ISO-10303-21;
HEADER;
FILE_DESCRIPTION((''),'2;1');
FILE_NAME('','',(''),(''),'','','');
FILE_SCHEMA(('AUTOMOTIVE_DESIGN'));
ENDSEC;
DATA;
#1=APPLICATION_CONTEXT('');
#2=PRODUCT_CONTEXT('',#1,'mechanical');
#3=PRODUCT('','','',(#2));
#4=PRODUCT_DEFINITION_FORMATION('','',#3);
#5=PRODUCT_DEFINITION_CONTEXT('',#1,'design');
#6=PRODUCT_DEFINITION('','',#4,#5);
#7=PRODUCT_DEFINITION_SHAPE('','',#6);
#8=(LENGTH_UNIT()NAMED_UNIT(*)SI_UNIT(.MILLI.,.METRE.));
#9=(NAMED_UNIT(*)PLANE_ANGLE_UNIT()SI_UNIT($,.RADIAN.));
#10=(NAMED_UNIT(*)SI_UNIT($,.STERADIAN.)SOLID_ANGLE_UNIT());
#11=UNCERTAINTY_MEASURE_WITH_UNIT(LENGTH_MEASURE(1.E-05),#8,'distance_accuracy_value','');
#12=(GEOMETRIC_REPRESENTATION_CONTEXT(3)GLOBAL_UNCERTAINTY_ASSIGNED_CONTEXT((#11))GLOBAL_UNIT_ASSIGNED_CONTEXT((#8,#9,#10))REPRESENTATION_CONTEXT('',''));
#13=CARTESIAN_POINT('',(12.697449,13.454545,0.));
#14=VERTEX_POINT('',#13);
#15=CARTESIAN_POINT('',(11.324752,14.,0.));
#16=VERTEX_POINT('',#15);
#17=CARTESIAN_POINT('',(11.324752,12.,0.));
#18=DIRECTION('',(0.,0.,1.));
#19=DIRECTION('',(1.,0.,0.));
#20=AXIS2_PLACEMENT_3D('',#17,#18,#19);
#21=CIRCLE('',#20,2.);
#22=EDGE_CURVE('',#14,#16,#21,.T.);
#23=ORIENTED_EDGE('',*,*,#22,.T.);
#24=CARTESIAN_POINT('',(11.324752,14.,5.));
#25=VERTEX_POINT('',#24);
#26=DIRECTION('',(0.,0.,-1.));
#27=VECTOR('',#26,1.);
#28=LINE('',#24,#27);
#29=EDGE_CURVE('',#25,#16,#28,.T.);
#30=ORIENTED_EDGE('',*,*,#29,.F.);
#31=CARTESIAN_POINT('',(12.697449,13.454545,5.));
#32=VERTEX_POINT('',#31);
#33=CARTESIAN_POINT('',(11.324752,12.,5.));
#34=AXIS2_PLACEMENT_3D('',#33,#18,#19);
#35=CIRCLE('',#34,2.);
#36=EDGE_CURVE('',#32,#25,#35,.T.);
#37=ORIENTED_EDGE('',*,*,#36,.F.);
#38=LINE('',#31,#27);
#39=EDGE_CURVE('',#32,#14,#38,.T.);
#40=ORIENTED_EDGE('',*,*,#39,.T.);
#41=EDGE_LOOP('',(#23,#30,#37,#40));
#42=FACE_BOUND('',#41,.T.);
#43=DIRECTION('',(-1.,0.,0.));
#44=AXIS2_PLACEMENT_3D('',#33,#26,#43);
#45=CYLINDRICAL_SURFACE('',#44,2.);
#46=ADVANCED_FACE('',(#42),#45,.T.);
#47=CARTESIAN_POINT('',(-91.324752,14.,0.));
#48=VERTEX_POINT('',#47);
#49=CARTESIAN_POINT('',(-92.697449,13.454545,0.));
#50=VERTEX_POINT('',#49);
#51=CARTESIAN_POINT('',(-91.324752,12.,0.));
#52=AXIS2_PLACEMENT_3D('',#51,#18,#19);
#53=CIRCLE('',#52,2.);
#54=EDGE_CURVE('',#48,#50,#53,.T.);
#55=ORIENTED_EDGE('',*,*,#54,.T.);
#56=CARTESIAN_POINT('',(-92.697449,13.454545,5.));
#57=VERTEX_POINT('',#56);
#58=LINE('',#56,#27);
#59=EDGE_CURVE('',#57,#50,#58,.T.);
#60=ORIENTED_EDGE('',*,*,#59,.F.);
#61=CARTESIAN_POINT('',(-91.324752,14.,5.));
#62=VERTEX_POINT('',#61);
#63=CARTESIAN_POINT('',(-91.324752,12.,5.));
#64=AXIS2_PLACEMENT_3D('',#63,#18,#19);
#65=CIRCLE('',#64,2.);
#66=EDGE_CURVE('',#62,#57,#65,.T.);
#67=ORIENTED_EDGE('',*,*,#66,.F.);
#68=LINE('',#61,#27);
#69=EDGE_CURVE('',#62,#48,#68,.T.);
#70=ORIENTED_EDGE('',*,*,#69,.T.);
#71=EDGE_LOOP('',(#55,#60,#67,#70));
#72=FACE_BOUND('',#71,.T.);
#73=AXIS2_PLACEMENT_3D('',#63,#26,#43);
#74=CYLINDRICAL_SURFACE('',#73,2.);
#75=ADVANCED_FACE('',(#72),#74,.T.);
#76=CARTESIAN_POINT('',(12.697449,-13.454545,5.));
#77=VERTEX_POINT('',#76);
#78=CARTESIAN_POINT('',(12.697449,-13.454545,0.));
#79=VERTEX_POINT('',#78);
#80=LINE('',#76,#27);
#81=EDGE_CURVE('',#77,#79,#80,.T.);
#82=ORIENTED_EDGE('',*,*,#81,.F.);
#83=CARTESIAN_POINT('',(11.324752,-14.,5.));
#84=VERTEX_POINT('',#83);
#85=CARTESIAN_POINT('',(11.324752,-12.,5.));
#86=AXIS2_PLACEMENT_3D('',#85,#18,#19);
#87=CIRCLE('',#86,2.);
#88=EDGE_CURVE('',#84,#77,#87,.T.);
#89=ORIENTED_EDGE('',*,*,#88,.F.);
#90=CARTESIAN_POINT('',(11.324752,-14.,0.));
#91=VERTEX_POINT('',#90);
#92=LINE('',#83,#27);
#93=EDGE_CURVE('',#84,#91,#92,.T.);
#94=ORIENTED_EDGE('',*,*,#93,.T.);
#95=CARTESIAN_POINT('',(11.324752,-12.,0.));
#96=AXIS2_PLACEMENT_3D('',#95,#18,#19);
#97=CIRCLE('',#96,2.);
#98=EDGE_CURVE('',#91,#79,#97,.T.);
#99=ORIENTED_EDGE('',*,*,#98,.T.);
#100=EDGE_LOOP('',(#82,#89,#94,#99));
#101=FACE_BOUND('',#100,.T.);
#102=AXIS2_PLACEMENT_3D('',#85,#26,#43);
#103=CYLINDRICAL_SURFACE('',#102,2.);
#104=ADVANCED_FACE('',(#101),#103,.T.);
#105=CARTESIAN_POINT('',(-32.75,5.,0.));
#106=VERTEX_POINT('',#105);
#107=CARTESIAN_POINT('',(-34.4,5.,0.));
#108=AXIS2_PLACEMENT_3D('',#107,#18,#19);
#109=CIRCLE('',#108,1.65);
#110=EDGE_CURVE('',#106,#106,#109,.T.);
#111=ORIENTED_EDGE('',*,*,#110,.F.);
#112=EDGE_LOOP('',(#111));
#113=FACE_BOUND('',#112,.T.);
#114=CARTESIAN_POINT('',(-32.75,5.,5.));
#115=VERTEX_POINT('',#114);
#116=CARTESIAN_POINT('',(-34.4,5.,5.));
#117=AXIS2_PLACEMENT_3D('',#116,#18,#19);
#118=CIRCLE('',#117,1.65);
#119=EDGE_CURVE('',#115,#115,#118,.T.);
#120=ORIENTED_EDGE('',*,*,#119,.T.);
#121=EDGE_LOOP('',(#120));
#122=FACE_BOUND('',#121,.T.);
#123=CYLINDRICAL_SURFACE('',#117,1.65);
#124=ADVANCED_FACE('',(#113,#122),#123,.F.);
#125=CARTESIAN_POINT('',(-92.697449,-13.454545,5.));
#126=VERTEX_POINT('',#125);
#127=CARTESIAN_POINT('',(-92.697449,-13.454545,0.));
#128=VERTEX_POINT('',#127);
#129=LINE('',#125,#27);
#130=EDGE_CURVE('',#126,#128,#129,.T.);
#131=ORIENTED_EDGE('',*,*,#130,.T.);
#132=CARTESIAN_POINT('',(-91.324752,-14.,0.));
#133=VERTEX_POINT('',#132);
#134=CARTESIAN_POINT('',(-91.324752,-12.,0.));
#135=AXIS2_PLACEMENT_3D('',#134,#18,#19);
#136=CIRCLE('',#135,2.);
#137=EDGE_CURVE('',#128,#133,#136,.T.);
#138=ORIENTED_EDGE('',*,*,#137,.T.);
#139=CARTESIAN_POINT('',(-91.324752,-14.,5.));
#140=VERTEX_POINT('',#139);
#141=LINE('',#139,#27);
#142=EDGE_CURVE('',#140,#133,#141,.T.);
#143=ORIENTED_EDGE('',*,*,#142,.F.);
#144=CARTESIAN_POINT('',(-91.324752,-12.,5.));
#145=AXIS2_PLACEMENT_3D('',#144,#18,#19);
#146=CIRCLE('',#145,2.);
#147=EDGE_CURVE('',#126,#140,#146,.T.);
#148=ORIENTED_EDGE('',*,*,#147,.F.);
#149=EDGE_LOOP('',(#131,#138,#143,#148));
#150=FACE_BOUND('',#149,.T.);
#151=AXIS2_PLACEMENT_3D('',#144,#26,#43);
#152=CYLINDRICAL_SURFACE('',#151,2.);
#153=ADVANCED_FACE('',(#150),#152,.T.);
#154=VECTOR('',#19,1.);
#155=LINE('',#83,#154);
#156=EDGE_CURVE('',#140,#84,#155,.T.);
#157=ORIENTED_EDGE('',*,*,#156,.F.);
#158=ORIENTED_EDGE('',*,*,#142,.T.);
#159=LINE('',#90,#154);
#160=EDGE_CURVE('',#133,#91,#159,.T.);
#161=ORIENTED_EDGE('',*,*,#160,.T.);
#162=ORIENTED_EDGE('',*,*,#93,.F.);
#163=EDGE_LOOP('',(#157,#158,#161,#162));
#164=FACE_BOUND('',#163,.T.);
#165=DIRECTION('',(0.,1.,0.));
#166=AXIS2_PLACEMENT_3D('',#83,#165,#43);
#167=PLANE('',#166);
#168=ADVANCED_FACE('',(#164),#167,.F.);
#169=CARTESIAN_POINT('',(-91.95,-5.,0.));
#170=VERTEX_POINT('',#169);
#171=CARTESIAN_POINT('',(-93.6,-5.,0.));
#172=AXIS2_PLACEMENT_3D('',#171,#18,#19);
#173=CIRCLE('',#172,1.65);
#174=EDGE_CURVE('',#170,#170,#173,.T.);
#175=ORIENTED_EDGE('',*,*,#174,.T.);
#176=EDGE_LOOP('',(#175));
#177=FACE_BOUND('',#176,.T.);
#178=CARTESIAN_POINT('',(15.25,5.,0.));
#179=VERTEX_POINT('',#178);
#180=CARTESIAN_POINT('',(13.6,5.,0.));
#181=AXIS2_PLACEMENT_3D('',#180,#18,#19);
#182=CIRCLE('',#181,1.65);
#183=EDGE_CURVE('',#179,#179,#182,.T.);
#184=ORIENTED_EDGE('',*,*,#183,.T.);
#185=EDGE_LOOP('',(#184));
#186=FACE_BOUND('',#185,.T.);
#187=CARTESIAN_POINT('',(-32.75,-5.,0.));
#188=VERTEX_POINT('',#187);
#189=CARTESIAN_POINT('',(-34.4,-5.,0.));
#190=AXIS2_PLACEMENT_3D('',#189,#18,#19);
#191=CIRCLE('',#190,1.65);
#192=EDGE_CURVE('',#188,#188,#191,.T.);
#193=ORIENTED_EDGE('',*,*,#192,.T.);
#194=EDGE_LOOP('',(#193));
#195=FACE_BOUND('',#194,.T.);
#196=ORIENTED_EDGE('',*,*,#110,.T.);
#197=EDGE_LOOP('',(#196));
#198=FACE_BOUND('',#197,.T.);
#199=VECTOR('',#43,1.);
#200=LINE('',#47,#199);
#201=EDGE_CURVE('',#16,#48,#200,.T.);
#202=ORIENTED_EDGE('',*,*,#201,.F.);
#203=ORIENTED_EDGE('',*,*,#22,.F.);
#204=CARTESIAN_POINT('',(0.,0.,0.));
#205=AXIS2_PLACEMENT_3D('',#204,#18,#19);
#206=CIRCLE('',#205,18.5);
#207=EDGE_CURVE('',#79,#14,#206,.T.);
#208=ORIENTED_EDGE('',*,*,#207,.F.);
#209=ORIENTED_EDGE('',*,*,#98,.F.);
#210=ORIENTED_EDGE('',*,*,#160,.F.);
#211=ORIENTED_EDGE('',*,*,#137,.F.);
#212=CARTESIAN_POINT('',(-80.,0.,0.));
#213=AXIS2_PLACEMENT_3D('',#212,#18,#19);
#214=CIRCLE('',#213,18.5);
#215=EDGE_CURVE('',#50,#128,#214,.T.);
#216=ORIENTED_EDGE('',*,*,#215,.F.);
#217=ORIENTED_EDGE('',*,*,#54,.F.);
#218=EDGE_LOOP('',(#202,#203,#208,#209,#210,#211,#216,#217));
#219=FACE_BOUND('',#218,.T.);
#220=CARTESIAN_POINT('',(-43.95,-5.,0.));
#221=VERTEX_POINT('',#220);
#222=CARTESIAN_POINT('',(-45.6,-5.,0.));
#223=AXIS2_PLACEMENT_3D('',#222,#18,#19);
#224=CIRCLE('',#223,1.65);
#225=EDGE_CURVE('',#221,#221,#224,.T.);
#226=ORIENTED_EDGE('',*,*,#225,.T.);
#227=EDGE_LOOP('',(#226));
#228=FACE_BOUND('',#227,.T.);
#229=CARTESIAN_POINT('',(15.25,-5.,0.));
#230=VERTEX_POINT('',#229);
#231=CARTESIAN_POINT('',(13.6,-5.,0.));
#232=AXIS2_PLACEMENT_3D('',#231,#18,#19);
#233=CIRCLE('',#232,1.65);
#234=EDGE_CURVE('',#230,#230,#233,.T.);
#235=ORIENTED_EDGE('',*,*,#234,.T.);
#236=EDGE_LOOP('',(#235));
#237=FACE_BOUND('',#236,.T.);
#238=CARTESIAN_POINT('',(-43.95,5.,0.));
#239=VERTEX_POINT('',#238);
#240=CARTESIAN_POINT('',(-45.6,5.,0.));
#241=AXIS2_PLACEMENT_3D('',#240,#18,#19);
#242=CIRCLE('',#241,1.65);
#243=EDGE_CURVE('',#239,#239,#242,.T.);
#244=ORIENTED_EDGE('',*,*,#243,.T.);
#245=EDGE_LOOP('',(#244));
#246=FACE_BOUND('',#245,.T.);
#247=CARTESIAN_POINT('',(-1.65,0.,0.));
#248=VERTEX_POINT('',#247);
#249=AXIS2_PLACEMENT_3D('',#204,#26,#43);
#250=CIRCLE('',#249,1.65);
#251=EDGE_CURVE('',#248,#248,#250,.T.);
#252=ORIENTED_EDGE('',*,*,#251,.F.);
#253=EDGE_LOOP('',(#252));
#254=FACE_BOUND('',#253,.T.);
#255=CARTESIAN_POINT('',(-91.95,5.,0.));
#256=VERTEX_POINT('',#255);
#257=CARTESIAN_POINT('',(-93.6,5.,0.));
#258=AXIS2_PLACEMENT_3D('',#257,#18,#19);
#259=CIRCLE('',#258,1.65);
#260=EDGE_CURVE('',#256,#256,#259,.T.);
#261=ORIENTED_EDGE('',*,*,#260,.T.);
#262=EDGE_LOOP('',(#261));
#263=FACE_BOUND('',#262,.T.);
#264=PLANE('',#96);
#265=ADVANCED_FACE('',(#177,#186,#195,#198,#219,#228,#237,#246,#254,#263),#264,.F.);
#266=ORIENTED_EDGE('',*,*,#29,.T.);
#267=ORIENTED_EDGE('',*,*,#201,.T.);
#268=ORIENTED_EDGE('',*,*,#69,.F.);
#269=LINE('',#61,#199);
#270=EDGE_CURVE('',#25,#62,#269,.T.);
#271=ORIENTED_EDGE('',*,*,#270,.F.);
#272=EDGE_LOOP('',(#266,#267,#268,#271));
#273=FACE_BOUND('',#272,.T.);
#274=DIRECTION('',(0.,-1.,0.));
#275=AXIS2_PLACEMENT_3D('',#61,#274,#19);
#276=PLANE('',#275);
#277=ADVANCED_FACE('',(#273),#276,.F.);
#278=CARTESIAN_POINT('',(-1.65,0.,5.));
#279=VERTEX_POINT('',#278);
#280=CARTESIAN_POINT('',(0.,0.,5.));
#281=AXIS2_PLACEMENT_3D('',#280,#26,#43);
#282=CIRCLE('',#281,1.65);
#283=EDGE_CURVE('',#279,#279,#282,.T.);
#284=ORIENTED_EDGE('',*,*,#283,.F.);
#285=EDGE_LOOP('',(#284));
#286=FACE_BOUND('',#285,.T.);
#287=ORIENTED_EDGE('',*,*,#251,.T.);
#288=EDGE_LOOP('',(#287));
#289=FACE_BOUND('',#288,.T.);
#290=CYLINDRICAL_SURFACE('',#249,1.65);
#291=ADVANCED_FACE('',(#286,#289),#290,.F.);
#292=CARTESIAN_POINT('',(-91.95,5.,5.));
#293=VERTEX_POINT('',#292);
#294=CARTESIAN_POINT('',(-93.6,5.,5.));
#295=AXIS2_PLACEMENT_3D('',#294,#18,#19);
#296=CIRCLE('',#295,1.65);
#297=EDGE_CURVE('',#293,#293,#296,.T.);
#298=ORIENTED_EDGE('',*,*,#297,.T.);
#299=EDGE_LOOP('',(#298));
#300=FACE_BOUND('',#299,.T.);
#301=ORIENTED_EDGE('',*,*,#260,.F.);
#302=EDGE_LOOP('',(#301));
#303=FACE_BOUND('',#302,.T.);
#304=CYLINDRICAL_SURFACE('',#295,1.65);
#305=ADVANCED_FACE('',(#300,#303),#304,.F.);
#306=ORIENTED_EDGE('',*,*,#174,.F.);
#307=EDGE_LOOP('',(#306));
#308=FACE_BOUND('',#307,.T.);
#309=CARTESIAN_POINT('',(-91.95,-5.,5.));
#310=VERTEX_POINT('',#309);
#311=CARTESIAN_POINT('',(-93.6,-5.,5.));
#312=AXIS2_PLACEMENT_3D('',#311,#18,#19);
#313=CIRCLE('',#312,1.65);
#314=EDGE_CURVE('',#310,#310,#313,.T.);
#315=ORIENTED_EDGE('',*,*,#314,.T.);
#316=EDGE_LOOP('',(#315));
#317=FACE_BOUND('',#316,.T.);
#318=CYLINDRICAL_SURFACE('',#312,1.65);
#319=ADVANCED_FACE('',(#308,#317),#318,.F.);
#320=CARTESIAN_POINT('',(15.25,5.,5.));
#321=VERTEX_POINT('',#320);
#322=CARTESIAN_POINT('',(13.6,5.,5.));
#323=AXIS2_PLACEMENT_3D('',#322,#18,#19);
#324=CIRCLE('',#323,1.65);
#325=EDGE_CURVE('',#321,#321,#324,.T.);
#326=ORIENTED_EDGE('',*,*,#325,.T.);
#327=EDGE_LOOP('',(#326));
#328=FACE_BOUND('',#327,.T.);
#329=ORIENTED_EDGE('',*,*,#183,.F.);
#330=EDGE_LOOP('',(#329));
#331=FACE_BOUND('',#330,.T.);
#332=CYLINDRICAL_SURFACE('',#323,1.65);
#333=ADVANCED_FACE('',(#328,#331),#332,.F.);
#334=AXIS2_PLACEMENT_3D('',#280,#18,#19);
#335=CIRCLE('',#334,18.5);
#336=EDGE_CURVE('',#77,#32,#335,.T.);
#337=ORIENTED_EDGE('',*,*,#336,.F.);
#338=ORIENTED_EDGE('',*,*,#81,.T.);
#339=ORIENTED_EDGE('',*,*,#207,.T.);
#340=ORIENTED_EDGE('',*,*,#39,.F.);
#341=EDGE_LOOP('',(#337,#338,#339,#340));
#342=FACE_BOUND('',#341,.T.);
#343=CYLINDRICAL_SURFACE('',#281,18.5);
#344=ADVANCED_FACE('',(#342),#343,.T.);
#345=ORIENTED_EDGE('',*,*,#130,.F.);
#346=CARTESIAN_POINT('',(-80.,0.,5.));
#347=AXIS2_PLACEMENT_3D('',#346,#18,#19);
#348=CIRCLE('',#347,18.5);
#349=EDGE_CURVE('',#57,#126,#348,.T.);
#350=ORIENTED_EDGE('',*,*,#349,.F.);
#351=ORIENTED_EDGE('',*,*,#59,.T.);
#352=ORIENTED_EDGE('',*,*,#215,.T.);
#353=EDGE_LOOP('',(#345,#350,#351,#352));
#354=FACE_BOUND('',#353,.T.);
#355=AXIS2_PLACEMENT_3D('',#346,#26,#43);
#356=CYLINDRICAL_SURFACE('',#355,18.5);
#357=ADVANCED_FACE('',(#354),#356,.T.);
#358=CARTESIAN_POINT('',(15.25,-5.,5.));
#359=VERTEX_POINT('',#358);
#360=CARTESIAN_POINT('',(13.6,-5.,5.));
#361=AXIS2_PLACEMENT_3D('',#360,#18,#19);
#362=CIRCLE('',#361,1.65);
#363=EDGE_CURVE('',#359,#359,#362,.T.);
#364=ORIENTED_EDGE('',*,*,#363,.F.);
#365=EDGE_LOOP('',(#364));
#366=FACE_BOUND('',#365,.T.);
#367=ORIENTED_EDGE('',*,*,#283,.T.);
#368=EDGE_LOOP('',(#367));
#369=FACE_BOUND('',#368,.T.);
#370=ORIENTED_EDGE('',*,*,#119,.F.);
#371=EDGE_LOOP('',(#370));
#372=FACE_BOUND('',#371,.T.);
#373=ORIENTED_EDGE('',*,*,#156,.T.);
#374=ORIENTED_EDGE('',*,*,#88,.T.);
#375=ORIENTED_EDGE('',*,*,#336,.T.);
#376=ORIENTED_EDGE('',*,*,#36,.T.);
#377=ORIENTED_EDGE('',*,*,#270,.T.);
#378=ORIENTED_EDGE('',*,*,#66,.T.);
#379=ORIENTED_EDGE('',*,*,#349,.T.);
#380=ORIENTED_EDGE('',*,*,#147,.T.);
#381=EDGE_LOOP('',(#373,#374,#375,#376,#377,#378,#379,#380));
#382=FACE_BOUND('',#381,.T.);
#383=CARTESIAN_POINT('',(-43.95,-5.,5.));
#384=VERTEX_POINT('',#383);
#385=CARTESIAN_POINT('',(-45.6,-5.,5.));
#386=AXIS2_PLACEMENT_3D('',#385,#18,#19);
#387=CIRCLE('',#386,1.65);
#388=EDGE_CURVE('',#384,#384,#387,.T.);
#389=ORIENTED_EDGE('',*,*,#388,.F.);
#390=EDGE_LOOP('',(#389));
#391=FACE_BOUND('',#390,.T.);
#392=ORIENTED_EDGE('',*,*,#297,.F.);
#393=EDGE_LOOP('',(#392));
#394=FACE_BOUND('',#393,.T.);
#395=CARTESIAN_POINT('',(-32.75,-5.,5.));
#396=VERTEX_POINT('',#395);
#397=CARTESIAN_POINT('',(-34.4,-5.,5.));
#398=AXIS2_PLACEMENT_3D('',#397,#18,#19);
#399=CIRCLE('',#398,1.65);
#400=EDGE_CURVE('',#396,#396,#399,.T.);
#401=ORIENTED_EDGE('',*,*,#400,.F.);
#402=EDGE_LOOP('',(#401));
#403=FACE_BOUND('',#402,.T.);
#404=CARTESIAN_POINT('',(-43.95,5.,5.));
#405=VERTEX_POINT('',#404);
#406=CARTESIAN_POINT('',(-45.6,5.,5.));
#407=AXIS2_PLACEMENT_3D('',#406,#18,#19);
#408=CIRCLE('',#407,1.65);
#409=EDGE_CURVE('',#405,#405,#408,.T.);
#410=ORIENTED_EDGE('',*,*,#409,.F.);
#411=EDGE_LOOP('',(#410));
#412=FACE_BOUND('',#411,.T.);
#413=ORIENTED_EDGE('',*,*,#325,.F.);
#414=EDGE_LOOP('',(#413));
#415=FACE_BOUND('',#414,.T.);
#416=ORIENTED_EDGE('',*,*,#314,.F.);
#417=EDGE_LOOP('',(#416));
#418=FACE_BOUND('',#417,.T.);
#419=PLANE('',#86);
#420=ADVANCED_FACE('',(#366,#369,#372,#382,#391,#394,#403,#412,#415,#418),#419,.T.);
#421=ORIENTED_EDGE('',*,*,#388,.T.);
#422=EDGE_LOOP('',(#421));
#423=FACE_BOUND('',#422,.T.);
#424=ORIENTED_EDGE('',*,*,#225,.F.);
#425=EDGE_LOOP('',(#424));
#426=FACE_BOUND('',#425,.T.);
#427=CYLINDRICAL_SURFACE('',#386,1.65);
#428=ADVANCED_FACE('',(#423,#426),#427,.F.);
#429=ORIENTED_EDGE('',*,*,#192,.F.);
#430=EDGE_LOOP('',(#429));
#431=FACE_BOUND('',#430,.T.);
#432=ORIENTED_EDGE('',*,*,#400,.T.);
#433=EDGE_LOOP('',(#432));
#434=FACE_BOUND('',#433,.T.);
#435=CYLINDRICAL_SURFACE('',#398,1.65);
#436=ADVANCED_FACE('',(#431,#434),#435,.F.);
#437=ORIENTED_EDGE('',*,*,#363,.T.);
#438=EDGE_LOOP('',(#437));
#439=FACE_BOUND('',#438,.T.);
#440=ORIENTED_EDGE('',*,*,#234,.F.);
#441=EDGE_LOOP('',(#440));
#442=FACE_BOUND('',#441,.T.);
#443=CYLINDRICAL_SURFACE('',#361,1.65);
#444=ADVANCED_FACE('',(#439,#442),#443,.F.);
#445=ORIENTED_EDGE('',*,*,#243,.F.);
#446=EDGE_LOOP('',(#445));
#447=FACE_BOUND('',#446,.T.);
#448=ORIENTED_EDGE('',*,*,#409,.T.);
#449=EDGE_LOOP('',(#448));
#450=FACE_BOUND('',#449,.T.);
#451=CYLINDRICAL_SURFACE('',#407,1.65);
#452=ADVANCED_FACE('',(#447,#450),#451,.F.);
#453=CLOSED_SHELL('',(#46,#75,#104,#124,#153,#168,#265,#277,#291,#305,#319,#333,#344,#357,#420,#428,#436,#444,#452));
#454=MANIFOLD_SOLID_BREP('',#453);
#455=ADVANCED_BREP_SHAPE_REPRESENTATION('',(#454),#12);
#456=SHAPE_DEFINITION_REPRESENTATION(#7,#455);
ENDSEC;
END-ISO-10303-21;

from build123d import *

# Parameters (mm, degrees)
EXTRUSION1_DEPTH      = 5
TROU_TARAUD_M3X0_51_D = 3.3
TROU_TARAUD_M4X0_71_D = 3.3


with BuildPart() as part:
    # Esquisse1 → Extrusion1 (new body)
    with BuildSketch(Plane.XY):
        with BuildLine():
            Line((11.324751653, -14), (-91.324751653, -14))
            ThreePointArc((-91.324751653, -14), (-92.063300599, -13.858640755), (-92.697448823, -13.454545455))
            ThreePointArc((-92.697448823, -13.454545455), (-98.5, 0), (-92.697448823, 13.454545455))
            ThreePointArc((-92.697448823, 13.454545455), (-92.063300599, 13.858640755), (-91.324751653, 14))
            Line((-91.324751653, 14), (11.324751653, 14))
            ThreePointArc((11.324751653, 14), (12.063300599, 13.858640755), (12.697448823, 13.454545455))
            ThreePointArc((12.697448823, 13.454545455), (18.5, 0), (12.697448823, -13.454545455))
            ThreePointArc((12.697448823, -13.454545455), (12.063300599, -13.858640755), (11.324751653, -14))
        make_face()
    extrude(amount=EXTRUSION1_DEPTH)

    # Trou taraudé M3x0.51 (through all)
    with Locations(Plane.XY.offset(5)):
        with Locations((-93.6, -5), (-93.6, 5), (-45.6, -5), (-45.6, 5), (-34.4, -5), (-34.4, 5), (13.6, -5), (13.6, 5)):
            Hole(TROU_TARAUD_M3X0_51_D / 2)

    # Trou taraudé M4x0.71 (through all)
    with Locations(Plane(origin=(0, 0, 0), x_dir=(-1, 0, 0), z_dir=(0, 0, -1))):
        with Locations((0, 0)):
            Hole(TROU_TARAUD_M4X0_71_D / 2)


solid = part.part
